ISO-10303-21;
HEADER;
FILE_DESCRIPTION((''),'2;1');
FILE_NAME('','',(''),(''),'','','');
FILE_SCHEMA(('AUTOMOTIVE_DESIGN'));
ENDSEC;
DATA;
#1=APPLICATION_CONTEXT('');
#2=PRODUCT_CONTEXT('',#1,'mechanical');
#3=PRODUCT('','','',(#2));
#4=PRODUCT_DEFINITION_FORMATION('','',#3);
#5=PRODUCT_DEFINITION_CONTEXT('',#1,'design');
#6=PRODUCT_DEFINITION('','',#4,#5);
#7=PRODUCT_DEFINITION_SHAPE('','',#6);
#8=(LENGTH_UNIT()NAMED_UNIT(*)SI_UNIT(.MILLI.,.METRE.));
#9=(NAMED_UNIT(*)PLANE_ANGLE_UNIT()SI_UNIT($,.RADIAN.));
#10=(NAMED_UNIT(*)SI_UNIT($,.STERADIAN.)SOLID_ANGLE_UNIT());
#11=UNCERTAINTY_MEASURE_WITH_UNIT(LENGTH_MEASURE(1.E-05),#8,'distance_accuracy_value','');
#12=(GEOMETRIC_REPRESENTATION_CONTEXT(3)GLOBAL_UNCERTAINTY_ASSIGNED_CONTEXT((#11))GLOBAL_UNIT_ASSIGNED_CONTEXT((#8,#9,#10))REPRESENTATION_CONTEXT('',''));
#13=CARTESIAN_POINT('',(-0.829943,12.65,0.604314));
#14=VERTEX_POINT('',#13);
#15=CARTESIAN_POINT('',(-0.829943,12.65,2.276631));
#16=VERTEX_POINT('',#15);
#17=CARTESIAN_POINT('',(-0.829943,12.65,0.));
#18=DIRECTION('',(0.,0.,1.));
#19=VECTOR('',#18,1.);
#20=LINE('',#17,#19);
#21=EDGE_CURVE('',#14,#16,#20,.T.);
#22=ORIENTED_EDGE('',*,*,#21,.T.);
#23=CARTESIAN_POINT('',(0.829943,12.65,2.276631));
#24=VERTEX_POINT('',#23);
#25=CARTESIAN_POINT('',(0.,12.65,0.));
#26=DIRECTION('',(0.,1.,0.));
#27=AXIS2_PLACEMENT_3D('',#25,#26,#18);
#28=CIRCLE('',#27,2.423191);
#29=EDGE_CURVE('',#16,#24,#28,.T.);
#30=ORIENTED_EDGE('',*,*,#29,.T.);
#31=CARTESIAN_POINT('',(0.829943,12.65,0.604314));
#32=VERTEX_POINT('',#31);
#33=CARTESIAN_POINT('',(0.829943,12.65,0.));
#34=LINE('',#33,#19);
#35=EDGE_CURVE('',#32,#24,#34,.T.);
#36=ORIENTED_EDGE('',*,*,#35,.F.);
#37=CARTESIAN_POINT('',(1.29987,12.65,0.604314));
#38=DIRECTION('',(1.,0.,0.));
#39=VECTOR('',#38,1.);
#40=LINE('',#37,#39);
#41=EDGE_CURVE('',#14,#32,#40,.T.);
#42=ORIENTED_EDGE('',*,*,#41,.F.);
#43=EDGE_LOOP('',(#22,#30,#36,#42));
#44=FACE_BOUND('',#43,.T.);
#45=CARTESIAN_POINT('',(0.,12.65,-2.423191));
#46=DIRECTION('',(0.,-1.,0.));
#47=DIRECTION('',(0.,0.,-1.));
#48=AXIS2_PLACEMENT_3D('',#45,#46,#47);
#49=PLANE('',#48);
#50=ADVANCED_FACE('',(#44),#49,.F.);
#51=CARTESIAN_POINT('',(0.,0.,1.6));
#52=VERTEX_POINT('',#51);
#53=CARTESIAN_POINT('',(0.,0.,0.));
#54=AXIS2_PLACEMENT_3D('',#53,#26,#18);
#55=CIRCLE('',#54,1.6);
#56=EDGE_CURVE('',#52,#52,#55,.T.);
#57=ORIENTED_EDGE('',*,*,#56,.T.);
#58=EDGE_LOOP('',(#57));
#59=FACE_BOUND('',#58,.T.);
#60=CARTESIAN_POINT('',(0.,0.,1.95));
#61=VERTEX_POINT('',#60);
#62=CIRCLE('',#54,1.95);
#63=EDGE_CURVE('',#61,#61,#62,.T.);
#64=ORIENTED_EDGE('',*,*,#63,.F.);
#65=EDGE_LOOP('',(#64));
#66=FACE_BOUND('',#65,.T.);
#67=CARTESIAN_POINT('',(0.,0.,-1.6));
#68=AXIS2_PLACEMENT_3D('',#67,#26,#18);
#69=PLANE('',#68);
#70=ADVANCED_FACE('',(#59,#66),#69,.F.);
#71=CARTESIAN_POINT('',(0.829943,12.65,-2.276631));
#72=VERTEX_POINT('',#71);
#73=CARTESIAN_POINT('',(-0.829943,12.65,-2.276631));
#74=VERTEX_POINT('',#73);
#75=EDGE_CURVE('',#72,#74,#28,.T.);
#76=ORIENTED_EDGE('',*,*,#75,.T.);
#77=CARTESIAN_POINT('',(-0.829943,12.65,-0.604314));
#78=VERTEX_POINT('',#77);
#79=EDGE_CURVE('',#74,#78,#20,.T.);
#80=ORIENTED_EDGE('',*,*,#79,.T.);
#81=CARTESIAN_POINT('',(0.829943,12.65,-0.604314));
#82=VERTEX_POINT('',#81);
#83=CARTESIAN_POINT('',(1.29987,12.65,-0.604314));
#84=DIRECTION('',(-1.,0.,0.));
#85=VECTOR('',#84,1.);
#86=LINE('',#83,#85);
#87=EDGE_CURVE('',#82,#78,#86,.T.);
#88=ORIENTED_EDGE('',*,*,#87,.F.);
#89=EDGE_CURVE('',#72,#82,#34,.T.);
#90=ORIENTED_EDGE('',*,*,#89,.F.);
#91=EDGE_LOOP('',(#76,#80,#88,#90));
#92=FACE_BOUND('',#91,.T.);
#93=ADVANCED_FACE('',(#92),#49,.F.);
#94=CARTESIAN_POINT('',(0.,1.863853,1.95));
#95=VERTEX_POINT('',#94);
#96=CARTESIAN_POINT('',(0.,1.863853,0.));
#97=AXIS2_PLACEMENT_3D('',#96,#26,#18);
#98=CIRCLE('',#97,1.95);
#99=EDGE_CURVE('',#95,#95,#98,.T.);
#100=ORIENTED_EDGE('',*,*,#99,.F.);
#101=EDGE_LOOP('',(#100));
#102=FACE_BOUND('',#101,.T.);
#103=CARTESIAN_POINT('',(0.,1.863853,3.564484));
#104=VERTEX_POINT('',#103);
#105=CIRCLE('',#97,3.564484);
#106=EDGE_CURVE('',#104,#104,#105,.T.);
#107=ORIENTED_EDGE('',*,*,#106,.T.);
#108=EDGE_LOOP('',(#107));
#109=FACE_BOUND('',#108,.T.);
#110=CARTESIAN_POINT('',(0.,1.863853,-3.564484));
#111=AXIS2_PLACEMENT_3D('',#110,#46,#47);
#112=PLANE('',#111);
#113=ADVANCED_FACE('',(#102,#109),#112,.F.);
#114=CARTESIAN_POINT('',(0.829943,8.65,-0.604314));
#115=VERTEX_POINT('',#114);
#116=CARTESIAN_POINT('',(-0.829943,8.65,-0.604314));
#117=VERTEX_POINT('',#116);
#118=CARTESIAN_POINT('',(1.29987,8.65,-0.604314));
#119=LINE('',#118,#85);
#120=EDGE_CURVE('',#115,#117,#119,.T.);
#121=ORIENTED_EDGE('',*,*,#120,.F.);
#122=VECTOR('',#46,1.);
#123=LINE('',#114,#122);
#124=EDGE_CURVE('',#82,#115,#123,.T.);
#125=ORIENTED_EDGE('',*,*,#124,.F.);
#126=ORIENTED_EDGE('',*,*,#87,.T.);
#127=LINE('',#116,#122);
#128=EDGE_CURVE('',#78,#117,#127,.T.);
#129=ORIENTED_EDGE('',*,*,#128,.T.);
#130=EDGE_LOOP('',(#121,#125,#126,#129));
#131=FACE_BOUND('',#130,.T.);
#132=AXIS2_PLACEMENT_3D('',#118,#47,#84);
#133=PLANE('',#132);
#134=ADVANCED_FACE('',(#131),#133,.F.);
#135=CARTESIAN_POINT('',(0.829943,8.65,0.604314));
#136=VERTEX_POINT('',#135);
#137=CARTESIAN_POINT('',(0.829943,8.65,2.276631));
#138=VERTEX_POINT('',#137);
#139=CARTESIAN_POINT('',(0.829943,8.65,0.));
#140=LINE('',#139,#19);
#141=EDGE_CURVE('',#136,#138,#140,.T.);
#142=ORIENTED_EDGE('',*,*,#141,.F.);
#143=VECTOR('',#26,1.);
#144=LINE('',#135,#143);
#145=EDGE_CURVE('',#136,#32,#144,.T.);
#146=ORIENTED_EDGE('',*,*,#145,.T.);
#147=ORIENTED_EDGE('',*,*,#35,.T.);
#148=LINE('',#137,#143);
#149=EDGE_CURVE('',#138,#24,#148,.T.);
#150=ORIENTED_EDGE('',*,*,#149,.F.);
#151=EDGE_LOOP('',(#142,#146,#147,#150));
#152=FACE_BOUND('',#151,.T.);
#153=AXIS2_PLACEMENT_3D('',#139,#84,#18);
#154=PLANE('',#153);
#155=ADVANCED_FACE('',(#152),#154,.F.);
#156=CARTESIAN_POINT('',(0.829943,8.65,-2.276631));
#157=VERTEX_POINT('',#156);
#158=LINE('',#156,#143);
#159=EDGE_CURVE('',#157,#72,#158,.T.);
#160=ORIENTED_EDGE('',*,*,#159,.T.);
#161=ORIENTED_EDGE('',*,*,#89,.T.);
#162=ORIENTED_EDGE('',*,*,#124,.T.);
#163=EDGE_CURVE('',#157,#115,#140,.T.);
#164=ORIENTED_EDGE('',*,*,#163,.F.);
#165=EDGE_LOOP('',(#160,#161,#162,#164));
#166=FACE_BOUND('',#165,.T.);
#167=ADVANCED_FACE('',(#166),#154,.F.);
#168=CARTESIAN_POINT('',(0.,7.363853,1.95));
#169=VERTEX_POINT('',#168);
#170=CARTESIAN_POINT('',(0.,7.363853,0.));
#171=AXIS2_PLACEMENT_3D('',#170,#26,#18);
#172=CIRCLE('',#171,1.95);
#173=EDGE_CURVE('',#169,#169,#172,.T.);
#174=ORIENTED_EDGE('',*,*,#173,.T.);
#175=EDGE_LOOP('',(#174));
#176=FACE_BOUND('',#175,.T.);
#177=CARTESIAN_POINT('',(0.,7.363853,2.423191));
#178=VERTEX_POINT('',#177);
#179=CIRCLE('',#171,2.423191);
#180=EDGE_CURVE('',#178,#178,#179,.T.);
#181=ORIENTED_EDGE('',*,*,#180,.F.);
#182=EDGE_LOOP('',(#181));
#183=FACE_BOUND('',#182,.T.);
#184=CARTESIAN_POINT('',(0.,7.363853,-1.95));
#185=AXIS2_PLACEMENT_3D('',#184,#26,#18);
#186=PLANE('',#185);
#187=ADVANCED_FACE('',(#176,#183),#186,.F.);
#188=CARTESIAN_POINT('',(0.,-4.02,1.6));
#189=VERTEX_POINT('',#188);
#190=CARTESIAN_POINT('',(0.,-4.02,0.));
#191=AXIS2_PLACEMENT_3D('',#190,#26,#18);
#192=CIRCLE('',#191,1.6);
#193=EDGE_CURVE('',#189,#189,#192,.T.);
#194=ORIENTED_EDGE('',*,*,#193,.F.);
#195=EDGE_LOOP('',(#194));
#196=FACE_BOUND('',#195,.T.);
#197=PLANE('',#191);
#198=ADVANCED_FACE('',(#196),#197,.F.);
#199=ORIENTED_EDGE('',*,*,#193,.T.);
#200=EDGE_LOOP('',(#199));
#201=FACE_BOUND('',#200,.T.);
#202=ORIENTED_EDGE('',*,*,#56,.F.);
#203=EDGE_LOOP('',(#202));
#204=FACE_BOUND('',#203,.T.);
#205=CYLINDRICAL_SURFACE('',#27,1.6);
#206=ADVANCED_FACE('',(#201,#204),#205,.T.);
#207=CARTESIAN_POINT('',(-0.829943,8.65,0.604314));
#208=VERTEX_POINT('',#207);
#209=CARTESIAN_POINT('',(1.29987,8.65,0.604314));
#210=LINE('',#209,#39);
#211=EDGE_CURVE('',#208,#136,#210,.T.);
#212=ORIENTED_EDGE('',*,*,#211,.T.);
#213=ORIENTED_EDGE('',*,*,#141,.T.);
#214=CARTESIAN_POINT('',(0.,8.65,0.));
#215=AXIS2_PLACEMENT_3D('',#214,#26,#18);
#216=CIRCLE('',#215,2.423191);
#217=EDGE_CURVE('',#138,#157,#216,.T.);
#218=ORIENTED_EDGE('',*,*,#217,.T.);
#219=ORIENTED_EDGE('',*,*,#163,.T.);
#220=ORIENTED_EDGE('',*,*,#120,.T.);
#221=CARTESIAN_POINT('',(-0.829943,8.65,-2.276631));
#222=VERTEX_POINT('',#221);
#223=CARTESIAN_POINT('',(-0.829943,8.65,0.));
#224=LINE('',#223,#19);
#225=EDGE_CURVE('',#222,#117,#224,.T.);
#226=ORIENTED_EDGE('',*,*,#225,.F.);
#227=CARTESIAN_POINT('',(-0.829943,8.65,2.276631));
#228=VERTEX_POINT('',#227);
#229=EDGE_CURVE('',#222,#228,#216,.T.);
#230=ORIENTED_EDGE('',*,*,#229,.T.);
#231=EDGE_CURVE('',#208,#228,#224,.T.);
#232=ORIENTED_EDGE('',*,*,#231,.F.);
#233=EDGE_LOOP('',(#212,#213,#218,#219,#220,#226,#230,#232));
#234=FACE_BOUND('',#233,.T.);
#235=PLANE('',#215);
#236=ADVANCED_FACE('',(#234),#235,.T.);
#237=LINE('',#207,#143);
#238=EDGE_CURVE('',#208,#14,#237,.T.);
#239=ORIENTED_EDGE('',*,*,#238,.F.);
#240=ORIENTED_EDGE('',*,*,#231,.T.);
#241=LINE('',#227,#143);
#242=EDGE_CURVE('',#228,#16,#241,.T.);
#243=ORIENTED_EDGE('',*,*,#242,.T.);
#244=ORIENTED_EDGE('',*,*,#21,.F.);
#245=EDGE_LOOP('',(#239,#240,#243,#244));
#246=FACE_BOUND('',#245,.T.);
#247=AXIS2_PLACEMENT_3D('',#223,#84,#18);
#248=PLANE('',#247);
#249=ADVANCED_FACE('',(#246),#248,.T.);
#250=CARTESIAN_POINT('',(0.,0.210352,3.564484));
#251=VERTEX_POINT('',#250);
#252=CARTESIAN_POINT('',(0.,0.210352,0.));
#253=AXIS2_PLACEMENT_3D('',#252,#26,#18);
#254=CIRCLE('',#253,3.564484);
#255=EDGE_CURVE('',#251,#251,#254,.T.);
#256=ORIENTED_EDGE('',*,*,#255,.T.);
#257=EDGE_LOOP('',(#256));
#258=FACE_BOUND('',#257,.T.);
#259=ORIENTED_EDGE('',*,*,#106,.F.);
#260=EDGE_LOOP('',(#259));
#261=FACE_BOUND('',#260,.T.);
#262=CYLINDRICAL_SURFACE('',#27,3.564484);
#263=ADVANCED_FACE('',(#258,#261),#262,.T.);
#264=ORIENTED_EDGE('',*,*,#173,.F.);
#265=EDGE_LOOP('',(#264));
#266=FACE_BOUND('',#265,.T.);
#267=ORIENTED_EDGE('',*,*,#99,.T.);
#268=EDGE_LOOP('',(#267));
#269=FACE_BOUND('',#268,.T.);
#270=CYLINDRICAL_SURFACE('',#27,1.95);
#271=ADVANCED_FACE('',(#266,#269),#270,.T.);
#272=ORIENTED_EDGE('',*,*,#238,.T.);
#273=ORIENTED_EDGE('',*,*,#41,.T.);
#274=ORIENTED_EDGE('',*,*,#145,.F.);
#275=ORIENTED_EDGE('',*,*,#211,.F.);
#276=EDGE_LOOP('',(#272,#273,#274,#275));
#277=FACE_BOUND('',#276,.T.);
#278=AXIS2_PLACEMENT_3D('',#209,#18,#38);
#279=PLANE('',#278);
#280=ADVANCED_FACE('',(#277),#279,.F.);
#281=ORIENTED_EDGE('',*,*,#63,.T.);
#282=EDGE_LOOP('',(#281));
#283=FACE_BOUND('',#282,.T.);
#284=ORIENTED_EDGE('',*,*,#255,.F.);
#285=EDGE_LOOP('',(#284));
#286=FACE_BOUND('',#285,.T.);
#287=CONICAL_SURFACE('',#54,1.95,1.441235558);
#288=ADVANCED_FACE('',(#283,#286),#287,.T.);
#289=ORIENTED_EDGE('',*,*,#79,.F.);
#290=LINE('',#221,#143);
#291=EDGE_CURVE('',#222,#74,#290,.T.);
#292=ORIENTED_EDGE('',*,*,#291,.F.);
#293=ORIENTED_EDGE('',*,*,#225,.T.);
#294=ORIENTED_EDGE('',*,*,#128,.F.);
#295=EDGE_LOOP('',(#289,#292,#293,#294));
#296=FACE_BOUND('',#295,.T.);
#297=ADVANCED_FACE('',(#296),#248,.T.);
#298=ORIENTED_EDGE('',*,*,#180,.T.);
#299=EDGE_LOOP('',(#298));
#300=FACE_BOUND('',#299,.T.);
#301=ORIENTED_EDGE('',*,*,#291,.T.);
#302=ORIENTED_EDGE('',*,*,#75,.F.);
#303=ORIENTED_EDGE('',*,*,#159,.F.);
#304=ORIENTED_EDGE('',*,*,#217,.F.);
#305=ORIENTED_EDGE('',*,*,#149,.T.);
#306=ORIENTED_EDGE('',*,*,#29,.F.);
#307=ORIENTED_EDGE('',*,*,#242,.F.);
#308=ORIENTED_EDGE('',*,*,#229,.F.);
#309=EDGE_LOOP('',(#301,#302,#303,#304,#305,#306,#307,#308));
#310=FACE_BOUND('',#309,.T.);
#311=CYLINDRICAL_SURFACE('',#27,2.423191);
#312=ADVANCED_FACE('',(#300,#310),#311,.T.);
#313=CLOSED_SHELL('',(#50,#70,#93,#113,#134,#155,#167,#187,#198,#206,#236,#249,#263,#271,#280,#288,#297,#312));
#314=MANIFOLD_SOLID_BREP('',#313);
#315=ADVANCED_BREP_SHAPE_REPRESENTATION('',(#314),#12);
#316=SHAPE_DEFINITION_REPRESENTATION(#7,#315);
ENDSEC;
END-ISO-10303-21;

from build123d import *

# Parameters (mm, degrees)
CORTAR_EXTRUIR1_START = -4
CORTAR_EXTRUIR1_DEPTH = 4
CROQUIS7_W            = 2.599739018
CROQUIS7_H            = 1.208627888
CORTAR_EXTRUIR2_DEPTH = 4


with BuildPart() as part:
    # Croquis1 → Revolución1 (revolve)
    with BuildSketch(Plane(origin=(0, 0, 0), x_dir=(0, 0, -1), z_dir=(1, 0, 0)), mode=Mode.PRIVATE) as revoluci_n1_sk:
        Polygon((0, -4.02), (0, 0), (0, 12.65), (2.423190966, 12.65), (2.423190966, 7.363853001), (1.95, 7.363853001), (1.95, 1.863853001), (3.564484464, 1.863853001), (3.564484464, 0.210352158), (1.95, 0), (1.6, 0), (1.6, -4.02), align=None)
    revolve(revoluci_n1_sk.sketch.rotate(Axis((0, 12.65, 0), (0, -1, 0)), 180), axis=Axis((0, 12.65, 0), (0, -1, 0)))

    # Croquis6 → Cortar-Extruir1 (cut)
    with BuildSketch(Plane(origin=(0, 12.65, 0), x_dir=(1, 0, 0), z_dir=(0, 1, 0)).offset(CORTAR_EXTRUIR1_START)):
        with BuildLine():
            ThreePointArc((2.423190966, 0), (1.985316553, 1.38937851), (0.8299425, 2.276631263))
            Line((0.8299425, 2.276631263), (0.8299425, -2.276631263))
            ThreePointArc((0.8299425, -2.276631263), (1.985316553, -1.38937851), (2.423190966, 0))
        make_face()
        with BuildLine():
            Line((-0.8299425, -2.276631263), (-0.8299425, 2.276631263))
            ThreePointArc((-0.8299425, 2.276631263), (-2.423190966, 0), (-0.8299425, -2.276631263))
        make_face()
    extrude(amount=CORTAR_EXTRUIR1_DEPTH, mode=Mode.SUBTRACT)

    # Croquis7 → Cortar-Extruir2 (cut)
    with BuildSketch(Plane(origin=(0, 12.65, 0), x_dir=(1, 0, 0), z_dir=(0, 1, 0))):
        Rectangle(CROQUIS7_W, CROQUIS7_H)
    extrude(amount=-CORTAR_EXTRUIR2_DEPTH, mode=Mode.SUBTRACT)


solid = part.part
